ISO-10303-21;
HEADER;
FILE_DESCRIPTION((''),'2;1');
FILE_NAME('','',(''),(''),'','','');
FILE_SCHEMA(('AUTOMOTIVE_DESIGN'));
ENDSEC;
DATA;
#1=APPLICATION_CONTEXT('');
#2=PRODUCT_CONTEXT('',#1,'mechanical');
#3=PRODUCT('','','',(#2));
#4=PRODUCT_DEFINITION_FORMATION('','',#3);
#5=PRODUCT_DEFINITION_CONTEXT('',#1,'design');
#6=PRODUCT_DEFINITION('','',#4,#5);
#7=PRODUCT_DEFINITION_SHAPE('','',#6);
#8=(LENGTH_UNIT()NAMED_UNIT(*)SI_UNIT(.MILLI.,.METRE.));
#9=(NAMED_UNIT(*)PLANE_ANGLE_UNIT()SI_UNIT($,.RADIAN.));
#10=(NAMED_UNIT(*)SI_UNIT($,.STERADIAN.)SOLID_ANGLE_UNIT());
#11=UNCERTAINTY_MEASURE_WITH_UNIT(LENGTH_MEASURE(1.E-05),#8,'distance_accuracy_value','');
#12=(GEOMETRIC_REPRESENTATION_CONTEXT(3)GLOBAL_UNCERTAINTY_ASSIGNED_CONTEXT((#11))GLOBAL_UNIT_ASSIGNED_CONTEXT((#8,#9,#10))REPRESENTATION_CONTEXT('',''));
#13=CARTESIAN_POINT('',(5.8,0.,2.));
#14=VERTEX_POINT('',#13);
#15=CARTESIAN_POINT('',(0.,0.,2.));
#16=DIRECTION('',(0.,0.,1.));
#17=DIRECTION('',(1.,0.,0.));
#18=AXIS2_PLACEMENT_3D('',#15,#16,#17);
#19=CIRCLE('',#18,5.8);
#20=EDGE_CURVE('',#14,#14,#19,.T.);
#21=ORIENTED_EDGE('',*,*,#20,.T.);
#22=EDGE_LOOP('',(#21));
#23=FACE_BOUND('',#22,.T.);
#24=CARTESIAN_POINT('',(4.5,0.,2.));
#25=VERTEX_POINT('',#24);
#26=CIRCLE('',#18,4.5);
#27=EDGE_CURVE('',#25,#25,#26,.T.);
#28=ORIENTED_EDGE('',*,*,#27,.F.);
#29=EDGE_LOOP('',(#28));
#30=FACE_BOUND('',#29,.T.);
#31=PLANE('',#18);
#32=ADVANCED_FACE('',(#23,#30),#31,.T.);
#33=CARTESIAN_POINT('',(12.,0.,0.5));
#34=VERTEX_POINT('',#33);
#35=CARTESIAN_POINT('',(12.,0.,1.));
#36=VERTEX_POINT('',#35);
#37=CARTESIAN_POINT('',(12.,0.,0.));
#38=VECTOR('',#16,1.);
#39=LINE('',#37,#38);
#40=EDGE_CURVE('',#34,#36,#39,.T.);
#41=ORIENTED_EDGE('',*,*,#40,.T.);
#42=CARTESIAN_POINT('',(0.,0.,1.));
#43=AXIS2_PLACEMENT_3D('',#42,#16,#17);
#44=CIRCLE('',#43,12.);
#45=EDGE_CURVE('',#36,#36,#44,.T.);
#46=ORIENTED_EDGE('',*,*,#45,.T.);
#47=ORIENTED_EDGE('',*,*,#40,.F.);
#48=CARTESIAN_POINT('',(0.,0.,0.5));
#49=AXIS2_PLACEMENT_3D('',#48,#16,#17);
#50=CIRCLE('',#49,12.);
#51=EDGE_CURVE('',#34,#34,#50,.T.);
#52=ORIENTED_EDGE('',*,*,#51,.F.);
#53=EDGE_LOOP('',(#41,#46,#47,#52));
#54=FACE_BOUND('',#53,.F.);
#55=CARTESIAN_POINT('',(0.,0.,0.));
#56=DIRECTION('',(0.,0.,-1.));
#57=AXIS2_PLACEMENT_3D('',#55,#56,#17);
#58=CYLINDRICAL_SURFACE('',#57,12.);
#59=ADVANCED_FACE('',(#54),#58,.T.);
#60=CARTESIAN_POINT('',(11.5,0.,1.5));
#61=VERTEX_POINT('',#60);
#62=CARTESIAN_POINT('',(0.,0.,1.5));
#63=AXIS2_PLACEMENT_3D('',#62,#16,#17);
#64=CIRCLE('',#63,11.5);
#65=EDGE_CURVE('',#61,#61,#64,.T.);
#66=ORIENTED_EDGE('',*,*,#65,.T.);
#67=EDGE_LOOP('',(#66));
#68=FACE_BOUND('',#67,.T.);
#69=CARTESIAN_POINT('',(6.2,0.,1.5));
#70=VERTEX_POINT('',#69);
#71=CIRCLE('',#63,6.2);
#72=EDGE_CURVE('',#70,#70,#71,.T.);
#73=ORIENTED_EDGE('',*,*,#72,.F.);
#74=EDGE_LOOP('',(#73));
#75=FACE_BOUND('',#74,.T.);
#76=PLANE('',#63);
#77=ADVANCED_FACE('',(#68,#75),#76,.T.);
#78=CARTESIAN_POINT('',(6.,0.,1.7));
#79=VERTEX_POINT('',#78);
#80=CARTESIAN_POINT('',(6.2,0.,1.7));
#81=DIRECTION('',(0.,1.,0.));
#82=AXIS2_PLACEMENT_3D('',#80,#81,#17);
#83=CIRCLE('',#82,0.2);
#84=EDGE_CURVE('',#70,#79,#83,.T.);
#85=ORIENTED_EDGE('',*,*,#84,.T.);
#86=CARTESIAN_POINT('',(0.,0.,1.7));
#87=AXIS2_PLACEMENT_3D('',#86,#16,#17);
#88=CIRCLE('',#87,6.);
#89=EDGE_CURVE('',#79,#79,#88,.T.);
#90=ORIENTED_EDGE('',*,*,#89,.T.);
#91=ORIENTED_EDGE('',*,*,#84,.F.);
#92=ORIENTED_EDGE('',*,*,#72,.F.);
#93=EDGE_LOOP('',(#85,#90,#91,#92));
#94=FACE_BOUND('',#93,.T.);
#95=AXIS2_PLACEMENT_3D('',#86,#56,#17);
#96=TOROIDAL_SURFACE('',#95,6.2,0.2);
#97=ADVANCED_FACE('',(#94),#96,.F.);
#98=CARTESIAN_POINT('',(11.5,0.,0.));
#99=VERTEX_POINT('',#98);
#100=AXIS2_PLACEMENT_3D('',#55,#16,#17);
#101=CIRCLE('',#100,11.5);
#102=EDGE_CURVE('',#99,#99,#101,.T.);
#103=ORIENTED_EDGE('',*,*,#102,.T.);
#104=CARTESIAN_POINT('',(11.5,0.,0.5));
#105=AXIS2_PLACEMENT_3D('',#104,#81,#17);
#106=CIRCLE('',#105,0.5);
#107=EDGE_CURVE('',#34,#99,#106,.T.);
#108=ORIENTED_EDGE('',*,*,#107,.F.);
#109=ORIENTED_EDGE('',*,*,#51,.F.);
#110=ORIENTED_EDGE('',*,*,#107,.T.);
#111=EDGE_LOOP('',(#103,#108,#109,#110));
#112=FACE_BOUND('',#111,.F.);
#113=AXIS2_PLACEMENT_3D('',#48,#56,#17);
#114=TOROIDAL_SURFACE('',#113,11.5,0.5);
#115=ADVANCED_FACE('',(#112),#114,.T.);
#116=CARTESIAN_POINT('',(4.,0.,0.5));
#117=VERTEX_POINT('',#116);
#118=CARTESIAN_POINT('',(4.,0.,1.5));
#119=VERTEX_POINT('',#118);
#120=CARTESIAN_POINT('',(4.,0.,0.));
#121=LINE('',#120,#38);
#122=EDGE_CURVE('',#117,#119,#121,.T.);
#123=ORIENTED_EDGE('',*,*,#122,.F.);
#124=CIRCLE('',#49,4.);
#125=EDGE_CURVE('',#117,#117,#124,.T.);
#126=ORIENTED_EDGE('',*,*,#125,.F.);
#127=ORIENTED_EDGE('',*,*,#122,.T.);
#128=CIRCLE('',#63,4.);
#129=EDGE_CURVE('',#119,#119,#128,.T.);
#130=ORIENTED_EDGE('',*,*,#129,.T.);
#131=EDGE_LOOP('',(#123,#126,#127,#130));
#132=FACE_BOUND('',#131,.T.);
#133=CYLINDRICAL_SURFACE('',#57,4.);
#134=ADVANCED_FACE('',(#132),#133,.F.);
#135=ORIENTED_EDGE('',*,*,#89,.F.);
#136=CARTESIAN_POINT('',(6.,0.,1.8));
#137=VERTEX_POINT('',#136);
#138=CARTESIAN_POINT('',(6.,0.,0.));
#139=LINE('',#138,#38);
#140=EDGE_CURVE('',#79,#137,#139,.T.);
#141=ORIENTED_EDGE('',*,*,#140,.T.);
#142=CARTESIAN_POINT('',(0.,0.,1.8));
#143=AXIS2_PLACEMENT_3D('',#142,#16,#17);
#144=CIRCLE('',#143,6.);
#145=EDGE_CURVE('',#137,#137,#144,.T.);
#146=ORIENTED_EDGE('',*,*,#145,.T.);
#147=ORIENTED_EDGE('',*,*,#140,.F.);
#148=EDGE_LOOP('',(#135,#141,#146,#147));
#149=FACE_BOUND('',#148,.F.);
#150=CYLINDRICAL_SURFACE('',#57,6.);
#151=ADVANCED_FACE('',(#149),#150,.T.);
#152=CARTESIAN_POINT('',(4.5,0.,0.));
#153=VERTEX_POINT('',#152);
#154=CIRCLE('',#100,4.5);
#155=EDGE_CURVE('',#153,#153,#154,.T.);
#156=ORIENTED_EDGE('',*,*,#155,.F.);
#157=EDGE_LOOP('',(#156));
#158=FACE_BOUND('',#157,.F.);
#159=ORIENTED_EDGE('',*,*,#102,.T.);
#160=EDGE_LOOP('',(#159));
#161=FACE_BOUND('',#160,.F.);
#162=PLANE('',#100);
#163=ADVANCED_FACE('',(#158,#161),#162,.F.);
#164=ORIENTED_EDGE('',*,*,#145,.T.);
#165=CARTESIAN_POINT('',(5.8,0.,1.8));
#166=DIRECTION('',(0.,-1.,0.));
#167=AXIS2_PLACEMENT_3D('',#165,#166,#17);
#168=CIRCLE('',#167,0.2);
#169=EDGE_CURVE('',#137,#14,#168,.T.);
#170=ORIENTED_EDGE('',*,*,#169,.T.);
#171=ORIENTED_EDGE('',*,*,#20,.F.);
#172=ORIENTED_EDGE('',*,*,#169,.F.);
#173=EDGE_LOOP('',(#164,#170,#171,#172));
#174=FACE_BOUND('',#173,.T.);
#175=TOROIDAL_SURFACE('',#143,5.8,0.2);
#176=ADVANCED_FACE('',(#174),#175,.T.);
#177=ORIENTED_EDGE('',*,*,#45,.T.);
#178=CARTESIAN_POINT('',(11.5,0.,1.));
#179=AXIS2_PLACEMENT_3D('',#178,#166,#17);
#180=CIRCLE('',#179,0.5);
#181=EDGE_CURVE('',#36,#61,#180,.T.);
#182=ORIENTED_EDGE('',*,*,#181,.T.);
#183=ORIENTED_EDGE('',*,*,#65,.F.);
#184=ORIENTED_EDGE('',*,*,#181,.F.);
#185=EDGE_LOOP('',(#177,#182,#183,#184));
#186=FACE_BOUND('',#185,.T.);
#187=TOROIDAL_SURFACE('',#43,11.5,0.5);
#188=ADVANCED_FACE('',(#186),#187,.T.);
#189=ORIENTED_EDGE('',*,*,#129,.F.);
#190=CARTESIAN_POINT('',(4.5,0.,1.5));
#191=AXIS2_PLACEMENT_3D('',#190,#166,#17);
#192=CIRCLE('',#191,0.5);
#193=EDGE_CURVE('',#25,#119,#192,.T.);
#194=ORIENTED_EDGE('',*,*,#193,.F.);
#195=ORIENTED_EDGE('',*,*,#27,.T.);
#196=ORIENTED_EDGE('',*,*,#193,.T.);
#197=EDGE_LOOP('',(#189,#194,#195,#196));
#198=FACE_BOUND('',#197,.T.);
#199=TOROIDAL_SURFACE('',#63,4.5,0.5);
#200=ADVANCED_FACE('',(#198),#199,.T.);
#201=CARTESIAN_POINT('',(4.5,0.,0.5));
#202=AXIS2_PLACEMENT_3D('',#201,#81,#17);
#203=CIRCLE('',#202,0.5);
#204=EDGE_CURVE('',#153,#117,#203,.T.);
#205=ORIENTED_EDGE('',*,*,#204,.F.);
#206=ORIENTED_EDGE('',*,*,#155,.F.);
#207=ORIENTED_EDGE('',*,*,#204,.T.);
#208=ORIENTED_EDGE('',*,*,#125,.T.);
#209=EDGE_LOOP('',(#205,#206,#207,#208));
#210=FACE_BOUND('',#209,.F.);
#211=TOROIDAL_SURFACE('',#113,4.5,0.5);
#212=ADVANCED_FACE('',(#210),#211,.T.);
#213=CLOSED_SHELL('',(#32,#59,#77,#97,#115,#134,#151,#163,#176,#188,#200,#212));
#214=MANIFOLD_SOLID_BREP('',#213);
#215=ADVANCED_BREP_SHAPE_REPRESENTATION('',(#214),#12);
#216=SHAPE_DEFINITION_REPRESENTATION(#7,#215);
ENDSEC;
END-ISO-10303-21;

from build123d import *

# Parameters (mm, degrees)
F0_R     = 6
F0_R_2   = 4
F1_DEPTH = 2
F0_R_3   = 12
F2_DEPTH = 1.5
F3_R     = 0.5
F4_R     = 0.2
F5_R     = 0.5


with BuildPart() as f1:
    # F0 (on Top) → F1 (new body)
    with BuildSketch(Plane.XY):
        Circle(F0_R)
        Circle(F0_R_2, mode=Mode.SUBTRACT)
    extrude(amount=F1_DEPTH)

    # F0 (on Top) → F2 (join)
    with BuildSketch(Plane.XY):
        Circle(F0_R_3)
        Circle(F0_R, mode=Mode.SUBTRACT)
    extrude(amount=F2_DEPTH)

    # F3
    f3_edges = [f1.edges().sort_by_distance(p)[0] for p in [
        (-12, 0, 1.5),
    ]]
    fillet(f3_edges, radius=F3_R)

    # F4
    f4_edges = [f1.edges().sort_by_distance(p)[0] for p in [
        (-6, 0, 1.5),
        (-6, 0, 2),
    ]]
    fillet(f4_edges, radius=F4_R)

    # F5
    f5_edges = [f1.edges().sort_by_distance(p)[0] for p in [
        (-12, 0, 0),
        (-4, 0, 0),
        (-4, 0, 2),
    ]]
    fillet(f5_edges, radius=F5_R)


solid = f1.part
